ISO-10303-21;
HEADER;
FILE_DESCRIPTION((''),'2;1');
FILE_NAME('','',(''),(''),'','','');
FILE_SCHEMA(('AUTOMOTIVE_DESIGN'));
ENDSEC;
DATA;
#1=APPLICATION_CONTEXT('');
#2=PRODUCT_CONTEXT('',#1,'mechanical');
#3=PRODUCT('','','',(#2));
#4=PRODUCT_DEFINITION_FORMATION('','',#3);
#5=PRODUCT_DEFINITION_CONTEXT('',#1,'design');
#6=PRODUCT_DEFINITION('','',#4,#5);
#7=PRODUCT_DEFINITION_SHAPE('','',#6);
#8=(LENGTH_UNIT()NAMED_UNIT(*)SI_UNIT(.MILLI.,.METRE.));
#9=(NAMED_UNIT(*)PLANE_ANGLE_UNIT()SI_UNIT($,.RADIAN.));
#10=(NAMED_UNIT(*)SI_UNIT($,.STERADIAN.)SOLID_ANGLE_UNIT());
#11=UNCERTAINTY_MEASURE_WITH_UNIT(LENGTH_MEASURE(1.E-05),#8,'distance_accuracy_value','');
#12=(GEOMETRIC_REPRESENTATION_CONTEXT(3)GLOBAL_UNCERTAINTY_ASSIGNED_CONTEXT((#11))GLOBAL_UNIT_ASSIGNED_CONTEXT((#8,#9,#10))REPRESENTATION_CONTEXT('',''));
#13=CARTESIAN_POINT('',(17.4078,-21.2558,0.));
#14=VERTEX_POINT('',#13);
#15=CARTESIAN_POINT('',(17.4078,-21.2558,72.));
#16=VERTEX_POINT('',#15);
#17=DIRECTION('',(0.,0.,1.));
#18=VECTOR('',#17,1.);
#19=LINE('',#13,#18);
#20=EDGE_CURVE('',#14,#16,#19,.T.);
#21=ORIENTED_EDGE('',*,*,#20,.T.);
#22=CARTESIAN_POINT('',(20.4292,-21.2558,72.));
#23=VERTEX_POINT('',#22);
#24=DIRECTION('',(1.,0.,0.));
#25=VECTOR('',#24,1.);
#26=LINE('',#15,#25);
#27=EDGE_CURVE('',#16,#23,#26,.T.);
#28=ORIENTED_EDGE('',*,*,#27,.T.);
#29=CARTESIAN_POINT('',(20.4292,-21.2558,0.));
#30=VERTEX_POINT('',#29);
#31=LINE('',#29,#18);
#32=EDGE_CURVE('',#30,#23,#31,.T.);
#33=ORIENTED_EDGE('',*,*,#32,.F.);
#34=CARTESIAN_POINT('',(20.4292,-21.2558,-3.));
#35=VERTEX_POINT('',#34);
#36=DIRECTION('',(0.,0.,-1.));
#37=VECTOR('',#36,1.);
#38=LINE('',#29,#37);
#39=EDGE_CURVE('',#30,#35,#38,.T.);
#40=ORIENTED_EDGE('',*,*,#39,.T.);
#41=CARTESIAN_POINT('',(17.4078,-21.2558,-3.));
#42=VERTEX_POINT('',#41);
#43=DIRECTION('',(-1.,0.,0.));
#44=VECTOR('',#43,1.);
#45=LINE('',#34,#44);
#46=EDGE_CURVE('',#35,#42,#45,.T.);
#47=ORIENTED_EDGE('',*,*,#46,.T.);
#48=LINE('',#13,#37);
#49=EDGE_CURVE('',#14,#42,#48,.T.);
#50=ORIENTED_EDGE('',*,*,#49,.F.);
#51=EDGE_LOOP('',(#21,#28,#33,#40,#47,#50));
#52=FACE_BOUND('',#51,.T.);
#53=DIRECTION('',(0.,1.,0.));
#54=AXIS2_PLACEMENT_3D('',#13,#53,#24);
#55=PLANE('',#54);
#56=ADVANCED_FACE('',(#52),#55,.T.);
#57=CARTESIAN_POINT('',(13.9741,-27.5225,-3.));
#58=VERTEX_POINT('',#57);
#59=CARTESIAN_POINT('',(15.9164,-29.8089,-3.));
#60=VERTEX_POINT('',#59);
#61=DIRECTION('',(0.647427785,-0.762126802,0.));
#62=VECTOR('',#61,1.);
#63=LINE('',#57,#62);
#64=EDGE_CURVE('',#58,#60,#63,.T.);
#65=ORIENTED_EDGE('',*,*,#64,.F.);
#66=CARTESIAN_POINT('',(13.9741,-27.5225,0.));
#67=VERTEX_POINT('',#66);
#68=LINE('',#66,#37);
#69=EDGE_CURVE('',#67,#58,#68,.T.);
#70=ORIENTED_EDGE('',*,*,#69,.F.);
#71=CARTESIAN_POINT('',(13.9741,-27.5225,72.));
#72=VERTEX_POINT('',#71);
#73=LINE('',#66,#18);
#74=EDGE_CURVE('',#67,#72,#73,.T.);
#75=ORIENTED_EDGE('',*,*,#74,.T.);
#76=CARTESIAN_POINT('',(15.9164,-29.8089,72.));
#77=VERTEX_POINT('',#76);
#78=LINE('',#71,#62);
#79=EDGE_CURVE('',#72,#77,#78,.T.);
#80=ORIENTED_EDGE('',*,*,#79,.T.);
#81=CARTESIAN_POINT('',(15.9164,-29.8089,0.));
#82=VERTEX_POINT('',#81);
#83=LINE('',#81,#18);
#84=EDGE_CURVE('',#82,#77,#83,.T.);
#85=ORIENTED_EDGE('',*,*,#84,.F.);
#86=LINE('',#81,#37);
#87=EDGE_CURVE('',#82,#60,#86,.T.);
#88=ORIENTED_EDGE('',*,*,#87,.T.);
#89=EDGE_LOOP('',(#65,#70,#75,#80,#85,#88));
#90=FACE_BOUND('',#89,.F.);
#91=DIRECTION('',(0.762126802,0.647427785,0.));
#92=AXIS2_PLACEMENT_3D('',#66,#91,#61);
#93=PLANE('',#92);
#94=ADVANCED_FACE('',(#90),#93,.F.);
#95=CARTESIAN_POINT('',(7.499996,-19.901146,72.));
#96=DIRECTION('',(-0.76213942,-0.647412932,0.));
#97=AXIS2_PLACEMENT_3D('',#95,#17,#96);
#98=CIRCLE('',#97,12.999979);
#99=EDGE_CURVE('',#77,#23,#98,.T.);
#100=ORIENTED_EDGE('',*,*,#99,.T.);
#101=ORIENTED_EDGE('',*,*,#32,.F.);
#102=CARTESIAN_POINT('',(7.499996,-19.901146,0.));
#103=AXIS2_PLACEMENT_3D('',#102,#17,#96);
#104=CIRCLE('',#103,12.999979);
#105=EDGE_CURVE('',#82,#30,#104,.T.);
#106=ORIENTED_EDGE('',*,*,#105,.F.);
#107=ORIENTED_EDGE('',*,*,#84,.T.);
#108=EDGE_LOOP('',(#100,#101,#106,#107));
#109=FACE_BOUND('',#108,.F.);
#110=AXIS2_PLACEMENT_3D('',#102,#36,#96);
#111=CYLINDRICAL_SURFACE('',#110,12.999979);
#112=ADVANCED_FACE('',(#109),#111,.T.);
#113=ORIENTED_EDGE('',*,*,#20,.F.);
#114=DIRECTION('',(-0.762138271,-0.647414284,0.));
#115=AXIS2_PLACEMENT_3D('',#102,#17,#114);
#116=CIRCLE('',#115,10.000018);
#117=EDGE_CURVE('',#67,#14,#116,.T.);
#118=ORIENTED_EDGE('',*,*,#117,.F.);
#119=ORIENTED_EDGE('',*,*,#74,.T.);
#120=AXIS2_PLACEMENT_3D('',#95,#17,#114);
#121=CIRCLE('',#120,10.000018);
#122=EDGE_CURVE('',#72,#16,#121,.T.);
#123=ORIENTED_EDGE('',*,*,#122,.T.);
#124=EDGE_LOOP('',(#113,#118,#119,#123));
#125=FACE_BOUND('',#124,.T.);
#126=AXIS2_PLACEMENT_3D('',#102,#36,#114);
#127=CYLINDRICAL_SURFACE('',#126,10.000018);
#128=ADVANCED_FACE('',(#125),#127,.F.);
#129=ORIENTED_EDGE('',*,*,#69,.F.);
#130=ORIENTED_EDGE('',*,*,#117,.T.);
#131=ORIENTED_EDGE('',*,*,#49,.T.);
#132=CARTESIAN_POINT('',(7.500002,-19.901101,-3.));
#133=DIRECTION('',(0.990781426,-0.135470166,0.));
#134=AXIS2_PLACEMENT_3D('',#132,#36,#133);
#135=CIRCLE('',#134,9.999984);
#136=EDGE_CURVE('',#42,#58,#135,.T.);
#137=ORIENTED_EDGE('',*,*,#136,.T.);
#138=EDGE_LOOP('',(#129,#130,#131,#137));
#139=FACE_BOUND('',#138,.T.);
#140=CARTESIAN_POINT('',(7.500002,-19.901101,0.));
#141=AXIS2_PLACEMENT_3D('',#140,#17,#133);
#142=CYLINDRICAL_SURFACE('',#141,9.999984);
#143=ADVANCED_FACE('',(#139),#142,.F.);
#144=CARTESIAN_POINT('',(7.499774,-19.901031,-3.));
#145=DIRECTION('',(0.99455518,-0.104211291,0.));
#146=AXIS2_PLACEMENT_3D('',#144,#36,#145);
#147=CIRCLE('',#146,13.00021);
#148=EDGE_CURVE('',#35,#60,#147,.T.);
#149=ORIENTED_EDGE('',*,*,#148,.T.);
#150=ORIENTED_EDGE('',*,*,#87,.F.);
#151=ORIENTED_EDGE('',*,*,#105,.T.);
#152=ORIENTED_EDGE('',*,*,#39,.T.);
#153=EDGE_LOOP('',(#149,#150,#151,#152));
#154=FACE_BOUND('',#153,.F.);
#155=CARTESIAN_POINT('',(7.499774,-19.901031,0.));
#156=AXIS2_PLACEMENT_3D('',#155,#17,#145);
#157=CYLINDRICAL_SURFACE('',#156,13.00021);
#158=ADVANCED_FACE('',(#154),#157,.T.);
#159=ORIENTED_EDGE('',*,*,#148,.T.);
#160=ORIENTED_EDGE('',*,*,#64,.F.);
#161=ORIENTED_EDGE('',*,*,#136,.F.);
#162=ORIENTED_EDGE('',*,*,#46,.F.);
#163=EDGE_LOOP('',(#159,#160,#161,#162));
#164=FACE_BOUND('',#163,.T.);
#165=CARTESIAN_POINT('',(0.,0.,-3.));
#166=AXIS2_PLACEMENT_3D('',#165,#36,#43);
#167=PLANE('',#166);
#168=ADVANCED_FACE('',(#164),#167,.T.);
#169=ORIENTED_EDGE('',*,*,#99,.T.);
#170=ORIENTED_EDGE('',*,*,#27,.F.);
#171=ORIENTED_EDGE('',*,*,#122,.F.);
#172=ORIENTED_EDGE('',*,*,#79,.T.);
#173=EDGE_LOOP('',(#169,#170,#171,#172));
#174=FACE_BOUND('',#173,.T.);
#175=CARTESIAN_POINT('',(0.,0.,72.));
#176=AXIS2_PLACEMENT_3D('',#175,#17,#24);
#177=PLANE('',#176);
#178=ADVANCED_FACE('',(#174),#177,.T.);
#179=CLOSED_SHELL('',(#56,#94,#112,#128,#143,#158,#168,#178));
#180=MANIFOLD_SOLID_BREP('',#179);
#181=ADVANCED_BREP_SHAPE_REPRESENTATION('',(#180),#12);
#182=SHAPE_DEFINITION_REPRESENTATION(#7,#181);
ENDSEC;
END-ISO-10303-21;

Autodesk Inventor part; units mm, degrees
sketch "Sketch1" plane through (0, 0, 0) normal (0, 0, 1) x (1, 0, 0)
  arc A0 (1.5257, 2.5779) -> (-13.7171, -10.3703) centre (-6.0957, -3.8962) ccw projected
  line L0 (15.1214, -13.427) -> (1.5257, 2.5779) projected
  arc A1 (-0.1214, -26.3753) -> (15.1214, -13.427) centre (7.5, -19.9011) ccw projected
  line L1 (-13.7171, -10.3703) -> (-0.1214, -26.3753) projected
  arc A2 (3.8121, 4.5202) -> (-16.0035, -12.3126) centre (-6.0957, -3.8962) ccw
  line L2 (-16.0035, -12.3126) -> (-2.4078, -28.3175)
  arc A3 (-2.4078, -28.3175) -> (17.4078, -11.4848) centre (7.5, -19.9011) ccw
  line L3 (17.4078, -11.4848) -> (3.8121, 4.5202)
  line L4 (-0.1214, -26.3753) -> (-2.4078, -28.3175)
  line L5 (-13.7171, -10.3703) -> (-16.0035, -12.3126)
  line L6 (15.1214, -13.427) -> (17.4078, -11.4848)
  line L7 (1.5257, 2.5779) -> (3.8121, 4.5202)
  line L8 (13.9741, -27.5225) -> (15.9164, -29.8089)
  line L9 (17.4078, -21.2558) -> (20.4292, -21.2558)
  line L10 (10.61, -3.4823) -> (12.5522, -5.7687)
  line L11 (12.5522, -5.7687) -> (8.6677, -1.1959)
  line L12 (8.6677, -1.1959) -> (13.2406, 2.6886)
  line L13 (13.2406, 2.6886) -> (17.1251, -1.8842)
  line L14 (17.1251, -1.8842) -> (12.5522, -5.7687)
  line L15 (-9.2056, -20.315) -> (-11.1479, -18.0286)
  line L16 (-11.1479, -18.0286) -> (-7.2634, -22.6014)
  line L17 (-7.2634, -22.6014) -> (-11.8362, -26.4859)
  line L18 (-11.8362, -26.4859) -> (-15.7207, -21.9131)
  line L19 (-15.7207, -21.9131) -> (-11.1479, -18.0286)
  point P0 (0, 0)
  dimension "d0" = 3
  dimension "d3" = 3
  dimension "d4" = 6
  dimension "d5" = 6
  dimension "d6" = 6
  dimension "d7" = 3
  dimension "d8" = 6
ref_plane "Work Plane1" through (-37.5, -62.3962, 69) normal (0, 0, -1) x (0, 1, 0)
ref_plane "Work Plane2" through (-37.5, -62.3962, 72) normal (0, 0, 1) x (1, 0, 0)
extrude "Extrusion1" add sketch "Sketch1" along normal up to surface (72 mm away) contours L9 A3 L8 A1
sketch "Sketch2" plane through (0, 0, 0) normal (0, 0, -1) x (-1, 0, 0)
  line L0 (-13.9741, -27.5225) -> (-15.9164, -29.8089) projected
  arc A0 (-17.4078, -21.2558) -> (-13.9741, -27.5225) centre (-7.5, -19.9011) ccw projected
  line L1 (-20.4292, -21.2558) -> (-17.4078, -21.2558) projected
  arc A1 (-20.4292, -21.2558) -> (-15.9164, -29.8089) centre (-7.5, -19.9011) ccw projected
  point P0 (0, 0)
ref_plane "Work Plane3" through (-37.5, -15.3962, -3) normal (0, 0, -1) x (0, 1, 0)
extrude "Extrusion2" add sketch "Sketch2" along normal up to surface (3 mm away)
properties part number "soprte baterias"
